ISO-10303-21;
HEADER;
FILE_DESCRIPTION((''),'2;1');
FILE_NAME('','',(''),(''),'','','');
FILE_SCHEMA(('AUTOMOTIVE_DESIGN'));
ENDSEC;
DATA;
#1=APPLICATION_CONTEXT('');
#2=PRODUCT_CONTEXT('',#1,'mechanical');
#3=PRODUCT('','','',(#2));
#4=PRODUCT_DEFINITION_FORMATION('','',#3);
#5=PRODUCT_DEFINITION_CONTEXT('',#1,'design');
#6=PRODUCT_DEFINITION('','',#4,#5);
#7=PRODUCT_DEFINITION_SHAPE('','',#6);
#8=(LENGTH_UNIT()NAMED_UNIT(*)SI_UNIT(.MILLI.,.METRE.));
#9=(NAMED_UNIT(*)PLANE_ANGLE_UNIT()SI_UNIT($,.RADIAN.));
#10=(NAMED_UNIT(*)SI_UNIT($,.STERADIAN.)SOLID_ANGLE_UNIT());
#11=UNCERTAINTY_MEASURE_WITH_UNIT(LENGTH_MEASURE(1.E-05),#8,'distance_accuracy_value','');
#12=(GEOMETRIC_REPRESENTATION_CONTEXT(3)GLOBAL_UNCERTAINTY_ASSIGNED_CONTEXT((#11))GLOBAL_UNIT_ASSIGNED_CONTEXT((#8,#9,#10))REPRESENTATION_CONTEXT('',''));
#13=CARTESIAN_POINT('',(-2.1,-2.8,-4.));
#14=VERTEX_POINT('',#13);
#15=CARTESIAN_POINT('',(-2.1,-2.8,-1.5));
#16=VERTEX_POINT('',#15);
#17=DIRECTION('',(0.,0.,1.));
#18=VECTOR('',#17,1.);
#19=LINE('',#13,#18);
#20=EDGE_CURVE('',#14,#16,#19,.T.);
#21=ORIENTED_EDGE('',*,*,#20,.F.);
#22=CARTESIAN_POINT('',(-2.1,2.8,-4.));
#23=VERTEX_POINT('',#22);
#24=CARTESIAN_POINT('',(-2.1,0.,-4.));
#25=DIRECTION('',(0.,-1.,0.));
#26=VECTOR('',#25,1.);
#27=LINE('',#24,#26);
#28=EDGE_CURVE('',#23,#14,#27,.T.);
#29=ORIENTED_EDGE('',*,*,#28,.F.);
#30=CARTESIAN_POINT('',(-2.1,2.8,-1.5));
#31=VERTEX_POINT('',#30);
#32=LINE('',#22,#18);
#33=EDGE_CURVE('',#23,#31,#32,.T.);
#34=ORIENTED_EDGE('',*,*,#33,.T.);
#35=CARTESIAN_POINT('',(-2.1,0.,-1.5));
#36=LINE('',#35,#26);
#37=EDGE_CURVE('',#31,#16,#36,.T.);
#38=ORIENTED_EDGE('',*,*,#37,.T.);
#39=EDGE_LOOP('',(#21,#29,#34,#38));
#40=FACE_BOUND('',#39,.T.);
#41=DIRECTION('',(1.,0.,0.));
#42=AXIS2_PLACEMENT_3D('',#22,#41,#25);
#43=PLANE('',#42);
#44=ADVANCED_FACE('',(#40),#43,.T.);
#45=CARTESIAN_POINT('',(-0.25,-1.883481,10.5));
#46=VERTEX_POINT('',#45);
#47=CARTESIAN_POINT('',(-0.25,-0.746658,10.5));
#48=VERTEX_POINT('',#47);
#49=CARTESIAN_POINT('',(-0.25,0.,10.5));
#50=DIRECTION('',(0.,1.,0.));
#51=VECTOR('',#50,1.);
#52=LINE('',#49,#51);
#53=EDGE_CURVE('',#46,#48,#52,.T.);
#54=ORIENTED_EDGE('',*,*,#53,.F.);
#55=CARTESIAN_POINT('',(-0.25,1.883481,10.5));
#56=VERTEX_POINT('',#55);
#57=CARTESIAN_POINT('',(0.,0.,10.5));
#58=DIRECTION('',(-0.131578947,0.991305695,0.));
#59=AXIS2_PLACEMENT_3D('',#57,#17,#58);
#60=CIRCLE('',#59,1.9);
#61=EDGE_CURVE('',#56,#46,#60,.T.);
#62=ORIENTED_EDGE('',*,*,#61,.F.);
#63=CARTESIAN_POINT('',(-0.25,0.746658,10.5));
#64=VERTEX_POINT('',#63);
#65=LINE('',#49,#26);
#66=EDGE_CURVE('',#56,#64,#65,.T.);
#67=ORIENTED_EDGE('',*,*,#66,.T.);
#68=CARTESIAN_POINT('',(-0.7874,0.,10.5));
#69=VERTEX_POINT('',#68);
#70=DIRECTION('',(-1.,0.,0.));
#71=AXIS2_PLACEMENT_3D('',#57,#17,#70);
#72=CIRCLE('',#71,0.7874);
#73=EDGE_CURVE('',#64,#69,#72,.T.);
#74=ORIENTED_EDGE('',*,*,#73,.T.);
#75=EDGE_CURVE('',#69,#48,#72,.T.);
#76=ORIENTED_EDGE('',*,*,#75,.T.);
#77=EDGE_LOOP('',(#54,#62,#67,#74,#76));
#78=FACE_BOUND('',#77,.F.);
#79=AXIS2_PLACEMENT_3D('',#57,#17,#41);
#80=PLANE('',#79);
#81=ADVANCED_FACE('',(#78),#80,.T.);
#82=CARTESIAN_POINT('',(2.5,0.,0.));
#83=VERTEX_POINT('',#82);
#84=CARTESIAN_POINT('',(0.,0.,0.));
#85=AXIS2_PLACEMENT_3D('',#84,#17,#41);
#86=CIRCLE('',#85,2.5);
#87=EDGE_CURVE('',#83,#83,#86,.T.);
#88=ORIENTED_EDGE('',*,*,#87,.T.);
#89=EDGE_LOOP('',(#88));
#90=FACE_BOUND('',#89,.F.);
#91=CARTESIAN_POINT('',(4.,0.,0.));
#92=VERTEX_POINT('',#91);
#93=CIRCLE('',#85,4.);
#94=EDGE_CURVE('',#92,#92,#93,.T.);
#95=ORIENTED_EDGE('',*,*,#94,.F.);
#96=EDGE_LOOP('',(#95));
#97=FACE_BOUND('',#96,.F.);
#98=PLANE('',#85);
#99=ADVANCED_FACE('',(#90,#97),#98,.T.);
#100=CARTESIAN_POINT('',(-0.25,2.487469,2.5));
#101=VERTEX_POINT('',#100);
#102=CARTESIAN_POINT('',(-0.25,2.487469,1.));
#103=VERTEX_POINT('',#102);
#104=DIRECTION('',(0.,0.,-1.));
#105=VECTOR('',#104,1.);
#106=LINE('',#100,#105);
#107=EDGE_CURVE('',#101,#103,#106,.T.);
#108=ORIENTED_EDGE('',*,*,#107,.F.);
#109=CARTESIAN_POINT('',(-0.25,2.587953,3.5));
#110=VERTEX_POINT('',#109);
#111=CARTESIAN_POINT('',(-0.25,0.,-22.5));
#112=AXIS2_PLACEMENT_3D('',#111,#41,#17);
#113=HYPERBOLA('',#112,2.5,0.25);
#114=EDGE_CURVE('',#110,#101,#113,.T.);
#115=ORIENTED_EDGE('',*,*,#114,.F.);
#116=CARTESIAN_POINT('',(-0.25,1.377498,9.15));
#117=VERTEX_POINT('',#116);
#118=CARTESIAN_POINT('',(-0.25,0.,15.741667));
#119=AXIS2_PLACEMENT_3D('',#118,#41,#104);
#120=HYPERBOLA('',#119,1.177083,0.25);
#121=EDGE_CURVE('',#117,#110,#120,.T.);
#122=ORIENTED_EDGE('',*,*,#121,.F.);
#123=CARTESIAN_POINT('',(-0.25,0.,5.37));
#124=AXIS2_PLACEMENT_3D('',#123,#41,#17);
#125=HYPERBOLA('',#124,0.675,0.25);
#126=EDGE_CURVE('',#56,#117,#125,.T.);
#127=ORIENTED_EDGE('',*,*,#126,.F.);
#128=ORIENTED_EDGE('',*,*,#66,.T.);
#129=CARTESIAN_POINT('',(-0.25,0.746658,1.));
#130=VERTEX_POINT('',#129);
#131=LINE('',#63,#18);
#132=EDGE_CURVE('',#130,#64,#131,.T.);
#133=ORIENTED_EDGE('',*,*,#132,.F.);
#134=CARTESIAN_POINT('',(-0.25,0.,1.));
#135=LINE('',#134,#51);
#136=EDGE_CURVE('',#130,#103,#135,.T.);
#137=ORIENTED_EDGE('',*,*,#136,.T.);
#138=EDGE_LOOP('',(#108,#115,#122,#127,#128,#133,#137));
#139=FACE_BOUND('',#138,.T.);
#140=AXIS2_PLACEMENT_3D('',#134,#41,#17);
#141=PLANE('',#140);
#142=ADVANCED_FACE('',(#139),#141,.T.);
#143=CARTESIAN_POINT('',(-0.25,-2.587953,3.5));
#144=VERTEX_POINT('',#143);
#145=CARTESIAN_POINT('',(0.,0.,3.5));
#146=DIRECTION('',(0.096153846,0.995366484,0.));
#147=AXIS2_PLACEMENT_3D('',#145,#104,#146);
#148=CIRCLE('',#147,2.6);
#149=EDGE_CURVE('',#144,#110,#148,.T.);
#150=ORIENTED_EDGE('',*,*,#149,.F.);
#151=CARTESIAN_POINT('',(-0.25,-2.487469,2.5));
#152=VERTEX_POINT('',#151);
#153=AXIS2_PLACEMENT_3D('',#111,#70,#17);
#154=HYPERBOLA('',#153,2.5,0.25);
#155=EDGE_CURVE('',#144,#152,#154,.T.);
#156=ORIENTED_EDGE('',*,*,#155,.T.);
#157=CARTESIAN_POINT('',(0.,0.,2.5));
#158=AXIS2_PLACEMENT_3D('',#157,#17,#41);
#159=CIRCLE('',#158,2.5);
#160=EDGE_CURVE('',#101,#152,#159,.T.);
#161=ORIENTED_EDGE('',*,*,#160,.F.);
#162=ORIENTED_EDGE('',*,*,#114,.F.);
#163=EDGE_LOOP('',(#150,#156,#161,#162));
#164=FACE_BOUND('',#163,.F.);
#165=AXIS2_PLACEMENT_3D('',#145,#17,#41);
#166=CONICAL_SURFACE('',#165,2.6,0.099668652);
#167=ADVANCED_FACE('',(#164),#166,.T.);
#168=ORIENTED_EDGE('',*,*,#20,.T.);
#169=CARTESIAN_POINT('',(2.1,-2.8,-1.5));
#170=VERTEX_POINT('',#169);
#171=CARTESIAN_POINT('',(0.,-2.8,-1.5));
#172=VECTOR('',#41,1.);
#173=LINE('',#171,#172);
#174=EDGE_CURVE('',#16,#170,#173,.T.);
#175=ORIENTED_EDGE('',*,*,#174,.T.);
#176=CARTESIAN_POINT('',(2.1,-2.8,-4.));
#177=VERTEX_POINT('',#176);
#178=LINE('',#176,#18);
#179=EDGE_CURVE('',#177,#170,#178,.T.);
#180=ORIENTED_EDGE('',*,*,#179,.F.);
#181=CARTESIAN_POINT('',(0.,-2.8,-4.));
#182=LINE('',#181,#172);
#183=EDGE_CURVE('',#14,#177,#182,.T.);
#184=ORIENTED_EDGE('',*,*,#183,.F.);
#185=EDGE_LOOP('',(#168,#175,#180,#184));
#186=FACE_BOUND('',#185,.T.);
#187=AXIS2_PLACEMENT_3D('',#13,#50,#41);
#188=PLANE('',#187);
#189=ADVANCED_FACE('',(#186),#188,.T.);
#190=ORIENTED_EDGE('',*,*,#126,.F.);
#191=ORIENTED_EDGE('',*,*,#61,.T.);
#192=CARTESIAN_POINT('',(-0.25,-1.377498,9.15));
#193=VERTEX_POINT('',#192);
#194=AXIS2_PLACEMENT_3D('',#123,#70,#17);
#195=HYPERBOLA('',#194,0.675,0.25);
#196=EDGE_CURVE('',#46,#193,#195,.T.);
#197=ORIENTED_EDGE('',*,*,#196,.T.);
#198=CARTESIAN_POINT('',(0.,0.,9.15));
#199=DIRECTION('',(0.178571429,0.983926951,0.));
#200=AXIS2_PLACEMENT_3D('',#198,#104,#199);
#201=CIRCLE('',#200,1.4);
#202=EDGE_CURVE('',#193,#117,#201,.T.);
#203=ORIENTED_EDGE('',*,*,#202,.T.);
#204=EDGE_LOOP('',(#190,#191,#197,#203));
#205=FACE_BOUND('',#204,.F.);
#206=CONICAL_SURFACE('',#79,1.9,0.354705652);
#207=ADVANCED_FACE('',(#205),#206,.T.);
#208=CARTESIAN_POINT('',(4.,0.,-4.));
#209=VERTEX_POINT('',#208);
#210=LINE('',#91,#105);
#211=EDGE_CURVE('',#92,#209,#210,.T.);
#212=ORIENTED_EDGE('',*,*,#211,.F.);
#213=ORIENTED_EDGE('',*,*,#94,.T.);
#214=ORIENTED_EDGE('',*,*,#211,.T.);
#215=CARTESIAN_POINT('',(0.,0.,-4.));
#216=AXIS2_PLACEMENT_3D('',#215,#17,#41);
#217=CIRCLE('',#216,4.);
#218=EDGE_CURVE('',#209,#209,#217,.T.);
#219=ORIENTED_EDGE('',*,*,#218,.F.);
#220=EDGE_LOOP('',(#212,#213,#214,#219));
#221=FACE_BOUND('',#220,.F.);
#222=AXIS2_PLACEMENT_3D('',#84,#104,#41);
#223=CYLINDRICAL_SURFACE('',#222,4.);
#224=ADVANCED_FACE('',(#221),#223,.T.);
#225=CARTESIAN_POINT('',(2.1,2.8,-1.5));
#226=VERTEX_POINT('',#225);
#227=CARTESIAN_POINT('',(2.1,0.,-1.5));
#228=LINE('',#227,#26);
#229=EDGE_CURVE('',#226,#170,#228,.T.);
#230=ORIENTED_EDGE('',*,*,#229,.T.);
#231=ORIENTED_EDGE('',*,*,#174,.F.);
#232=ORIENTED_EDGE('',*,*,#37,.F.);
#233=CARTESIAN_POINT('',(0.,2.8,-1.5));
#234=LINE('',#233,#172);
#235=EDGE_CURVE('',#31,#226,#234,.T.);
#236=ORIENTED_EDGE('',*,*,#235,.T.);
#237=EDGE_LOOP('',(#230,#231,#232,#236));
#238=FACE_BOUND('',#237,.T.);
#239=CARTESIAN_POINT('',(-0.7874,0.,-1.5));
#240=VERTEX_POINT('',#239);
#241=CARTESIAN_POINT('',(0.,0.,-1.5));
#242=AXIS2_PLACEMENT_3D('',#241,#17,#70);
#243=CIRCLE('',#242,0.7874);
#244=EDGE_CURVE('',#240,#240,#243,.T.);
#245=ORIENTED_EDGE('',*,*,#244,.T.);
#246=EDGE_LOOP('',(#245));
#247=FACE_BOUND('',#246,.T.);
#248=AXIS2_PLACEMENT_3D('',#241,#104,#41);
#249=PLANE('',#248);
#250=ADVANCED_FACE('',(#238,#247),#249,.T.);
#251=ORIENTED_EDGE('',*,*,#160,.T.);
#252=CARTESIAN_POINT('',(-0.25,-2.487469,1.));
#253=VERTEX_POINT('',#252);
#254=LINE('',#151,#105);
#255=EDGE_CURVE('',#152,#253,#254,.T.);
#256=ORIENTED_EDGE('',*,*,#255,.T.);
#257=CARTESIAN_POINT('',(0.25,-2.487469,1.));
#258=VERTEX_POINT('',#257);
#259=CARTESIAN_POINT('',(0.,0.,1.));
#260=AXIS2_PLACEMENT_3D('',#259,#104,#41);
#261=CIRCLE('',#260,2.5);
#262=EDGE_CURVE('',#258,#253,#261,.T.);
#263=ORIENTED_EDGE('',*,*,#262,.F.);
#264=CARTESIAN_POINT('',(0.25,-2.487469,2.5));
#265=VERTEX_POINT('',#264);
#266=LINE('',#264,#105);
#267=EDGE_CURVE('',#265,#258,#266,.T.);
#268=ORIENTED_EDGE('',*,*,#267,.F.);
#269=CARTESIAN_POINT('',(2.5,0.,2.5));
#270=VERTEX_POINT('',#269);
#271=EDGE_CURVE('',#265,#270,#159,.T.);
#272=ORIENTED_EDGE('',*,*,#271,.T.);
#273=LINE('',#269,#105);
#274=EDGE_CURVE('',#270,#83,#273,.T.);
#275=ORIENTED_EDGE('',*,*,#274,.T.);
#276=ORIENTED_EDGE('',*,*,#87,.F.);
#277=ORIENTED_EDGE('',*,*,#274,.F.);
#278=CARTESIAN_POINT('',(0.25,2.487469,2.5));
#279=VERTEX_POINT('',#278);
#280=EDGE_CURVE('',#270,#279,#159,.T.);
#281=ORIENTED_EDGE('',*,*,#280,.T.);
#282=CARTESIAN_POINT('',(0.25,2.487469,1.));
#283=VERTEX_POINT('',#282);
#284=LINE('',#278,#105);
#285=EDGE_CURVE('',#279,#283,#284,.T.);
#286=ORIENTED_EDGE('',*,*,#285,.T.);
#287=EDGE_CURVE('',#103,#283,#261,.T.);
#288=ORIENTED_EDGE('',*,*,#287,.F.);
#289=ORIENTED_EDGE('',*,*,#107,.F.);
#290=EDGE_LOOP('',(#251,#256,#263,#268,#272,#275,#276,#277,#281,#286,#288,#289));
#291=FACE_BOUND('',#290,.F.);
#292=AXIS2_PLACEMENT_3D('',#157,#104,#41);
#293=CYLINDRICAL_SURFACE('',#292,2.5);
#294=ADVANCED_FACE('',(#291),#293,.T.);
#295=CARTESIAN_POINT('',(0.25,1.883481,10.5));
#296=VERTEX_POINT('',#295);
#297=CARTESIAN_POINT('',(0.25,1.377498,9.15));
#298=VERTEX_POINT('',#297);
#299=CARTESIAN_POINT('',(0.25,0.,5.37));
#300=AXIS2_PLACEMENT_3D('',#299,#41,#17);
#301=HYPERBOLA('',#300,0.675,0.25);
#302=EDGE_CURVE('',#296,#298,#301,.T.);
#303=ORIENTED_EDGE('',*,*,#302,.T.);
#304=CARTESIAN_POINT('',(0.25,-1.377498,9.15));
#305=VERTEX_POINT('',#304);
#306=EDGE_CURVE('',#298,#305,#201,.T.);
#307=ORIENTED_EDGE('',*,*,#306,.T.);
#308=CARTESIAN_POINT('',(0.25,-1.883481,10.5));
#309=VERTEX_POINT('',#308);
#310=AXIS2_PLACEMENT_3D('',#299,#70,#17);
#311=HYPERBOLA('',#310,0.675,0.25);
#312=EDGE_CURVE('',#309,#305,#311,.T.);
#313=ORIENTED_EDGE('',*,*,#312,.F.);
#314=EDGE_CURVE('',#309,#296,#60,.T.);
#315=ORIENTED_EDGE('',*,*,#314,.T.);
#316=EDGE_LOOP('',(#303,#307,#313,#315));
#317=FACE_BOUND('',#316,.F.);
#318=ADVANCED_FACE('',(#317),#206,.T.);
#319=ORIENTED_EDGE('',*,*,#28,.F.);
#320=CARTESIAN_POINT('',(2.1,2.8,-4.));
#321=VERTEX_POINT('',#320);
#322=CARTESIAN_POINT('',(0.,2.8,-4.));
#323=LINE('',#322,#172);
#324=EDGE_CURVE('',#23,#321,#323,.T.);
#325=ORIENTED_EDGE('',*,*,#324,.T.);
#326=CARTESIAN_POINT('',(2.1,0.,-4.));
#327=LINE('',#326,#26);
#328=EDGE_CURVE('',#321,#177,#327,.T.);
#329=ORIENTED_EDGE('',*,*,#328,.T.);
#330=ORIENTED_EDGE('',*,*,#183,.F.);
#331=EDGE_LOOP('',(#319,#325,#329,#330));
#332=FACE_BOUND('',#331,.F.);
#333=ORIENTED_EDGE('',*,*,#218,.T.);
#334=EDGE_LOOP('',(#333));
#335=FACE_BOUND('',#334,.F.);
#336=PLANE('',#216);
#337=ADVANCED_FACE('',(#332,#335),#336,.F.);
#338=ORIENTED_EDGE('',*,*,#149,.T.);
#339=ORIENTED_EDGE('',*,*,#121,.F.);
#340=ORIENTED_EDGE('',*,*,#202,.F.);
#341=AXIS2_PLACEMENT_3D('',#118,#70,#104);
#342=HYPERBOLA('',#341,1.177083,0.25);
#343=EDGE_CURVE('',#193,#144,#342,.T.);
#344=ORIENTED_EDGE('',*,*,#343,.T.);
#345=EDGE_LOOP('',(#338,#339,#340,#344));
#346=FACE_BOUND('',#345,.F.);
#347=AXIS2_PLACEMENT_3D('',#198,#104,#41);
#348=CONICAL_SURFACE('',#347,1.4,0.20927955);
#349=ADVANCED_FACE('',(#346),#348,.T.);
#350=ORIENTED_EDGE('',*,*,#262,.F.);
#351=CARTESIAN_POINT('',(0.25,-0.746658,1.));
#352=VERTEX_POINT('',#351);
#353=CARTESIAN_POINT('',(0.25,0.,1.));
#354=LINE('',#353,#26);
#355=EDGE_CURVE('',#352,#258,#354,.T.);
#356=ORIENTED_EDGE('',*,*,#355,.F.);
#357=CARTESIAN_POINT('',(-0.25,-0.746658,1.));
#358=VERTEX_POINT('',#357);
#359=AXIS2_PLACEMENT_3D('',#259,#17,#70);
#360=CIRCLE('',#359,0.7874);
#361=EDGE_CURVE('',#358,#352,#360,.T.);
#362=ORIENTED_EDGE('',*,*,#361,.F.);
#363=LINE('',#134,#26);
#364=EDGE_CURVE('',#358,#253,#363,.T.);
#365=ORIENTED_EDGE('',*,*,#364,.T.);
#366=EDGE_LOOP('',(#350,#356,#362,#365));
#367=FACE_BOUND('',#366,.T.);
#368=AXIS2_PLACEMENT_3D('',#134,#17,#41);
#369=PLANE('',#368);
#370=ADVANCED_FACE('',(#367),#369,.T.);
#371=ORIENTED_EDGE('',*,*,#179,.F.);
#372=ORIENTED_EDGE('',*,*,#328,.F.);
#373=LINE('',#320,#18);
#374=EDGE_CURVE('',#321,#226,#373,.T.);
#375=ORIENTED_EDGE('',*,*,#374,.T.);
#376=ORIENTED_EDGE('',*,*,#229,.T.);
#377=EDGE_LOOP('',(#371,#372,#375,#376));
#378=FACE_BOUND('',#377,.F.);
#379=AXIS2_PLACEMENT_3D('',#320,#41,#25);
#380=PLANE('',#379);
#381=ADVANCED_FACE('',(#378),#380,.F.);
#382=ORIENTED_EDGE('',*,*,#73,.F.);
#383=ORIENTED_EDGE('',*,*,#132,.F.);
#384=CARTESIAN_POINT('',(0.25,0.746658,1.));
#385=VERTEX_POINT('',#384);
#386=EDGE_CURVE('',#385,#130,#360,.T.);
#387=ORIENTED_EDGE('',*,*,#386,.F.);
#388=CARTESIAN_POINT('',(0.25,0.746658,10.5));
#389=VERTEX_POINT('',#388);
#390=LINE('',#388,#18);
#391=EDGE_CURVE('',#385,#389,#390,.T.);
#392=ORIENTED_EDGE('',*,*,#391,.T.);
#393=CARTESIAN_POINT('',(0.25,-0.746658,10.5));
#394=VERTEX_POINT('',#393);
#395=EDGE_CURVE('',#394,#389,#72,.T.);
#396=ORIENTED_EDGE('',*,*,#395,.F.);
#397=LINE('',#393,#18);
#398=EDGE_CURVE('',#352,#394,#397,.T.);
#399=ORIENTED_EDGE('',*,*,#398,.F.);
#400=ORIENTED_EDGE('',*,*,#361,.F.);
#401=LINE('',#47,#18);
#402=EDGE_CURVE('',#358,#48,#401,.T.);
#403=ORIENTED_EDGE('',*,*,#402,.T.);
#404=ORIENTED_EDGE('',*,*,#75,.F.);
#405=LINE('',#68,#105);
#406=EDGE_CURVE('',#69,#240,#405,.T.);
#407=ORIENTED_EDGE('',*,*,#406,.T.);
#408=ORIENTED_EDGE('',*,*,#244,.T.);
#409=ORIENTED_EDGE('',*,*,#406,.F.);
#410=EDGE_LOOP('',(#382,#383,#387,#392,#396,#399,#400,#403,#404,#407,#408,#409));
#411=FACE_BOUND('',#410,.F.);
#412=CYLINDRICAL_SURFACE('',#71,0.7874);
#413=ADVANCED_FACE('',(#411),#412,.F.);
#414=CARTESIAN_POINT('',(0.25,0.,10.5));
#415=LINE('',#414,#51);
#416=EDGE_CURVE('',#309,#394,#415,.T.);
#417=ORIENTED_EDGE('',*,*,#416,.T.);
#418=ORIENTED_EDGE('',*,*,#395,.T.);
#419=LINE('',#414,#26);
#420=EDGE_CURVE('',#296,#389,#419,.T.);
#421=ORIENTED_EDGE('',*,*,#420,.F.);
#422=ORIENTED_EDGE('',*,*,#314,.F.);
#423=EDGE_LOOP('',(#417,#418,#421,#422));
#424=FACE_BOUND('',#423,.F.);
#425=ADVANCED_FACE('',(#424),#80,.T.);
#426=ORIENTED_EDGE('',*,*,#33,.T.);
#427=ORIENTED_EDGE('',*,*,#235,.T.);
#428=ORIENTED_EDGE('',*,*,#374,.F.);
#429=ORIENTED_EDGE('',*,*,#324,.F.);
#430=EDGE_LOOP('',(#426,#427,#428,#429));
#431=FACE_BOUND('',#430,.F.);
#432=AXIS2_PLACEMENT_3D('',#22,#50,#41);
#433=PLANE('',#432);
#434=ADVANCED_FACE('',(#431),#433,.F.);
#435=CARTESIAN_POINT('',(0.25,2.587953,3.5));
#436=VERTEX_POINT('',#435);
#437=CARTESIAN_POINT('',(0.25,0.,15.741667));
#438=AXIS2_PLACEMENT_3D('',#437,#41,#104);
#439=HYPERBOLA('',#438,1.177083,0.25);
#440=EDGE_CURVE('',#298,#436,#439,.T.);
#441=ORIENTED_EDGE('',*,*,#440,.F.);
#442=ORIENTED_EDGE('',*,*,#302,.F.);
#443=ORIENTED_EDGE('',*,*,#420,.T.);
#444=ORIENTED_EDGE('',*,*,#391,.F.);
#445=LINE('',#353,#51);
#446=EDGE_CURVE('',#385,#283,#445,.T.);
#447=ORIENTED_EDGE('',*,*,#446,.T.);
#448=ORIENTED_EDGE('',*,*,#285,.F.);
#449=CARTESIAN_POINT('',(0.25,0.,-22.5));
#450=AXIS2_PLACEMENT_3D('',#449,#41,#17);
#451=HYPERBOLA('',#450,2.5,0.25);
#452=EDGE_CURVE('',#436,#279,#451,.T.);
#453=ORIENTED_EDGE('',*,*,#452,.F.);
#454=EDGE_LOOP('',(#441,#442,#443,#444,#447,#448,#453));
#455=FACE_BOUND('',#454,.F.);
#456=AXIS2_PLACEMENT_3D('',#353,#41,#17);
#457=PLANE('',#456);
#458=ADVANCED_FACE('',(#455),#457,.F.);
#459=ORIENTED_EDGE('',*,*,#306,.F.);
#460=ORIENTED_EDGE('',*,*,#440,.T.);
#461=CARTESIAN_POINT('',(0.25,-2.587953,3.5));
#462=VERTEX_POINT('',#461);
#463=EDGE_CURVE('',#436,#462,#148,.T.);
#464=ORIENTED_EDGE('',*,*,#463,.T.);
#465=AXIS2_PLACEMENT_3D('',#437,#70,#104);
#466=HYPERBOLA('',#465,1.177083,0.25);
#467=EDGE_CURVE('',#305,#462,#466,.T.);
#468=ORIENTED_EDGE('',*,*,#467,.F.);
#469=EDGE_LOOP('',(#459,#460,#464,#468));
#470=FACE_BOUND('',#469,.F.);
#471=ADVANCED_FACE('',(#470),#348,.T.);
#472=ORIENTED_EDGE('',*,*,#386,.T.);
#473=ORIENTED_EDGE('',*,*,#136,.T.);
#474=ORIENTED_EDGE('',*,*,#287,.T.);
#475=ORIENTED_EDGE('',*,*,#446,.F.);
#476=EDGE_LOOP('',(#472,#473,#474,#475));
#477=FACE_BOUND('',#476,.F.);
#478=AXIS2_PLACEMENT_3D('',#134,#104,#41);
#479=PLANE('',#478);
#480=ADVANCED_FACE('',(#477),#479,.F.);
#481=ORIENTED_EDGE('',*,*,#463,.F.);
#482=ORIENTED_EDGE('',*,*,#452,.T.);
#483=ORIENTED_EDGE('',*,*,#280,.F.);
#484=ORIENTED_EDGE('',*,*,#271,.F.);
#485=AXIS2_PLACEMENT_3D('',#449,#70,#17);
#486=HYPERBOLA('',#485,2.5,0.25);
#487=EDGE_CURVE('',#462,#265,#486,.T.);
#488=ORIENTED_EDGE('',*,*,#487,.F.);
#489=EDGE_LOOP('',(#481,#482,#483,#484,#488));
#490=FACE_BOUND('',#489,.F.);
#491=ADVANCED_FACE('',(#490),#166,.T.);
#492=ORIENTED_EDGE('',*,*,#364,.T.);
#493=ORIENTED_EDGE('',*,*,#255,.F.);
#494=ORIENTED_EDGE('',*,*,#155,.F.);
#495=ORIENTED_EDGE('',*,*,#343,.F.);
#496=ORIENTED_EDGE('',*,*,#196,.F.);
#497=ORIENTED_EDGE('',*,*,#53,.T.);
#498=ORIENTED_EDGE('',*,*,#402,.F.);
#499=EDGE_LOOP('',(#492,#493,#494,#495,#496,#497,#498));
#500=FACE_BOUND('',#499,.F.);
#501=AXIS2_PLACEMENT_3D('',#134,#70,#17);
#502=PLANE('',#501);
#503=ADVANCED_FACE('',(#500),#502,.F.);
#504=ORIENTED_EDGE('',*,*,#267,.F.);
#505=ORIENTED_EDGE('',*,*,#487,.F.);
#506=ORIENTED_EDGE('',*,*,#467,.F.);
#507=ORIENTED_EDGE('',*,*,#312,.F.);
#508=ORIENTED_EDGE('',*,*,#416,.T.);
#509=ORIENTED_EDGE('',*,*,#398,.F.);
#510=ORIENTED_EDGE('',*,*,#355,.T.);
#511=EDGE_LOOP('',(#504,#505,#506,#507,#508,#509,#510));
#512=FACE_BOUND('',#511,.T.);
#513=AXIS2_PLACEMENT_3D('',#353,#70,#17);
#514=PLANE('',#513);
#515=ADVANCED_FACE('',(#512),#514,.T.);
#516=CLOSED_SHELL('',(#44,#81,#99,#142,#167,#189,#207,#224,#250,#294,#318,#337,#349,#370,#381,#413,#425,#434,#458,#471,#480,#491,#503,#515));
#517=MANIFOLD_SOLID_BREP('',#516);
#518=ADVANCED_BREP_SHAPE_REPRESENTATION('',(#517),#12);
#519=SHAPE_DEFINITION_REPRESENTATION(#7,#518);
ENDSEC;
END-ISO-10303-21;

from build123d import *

# Parameters (mm, degrees)
SKETCH001_W          = 4.2
SKETCH001_H          = 5.6
POCKET_DEPTH         = 2.5
SKETCH002_R          = 0.7874
POCKET001_DEPTH      = 14.501
SKETCH004_W          = 0.5
SKETCH004_H          = 11.942059
SKETCH004_H_2        = 6.122161
POCKET003_DEPTH      = 5
POCKET003_DEPTH_BACK = -5


with BuildPart() as part:
    # Sketch → Revolution (revolve)
    with BuildSketch(Plane.XZ):
        Polygon((2.5, 0), (4, 0), (4, -4), (0, -4), (0, 0), (0, 10.5), (1.9, 10.5), (1.4, 9.15), (2.6, 3.5), (2.5, 2.5), align=None)
    revolve(axis=Axis((0, 0, 0), (0, 0, 1)))

    # Sketch001 (on Face5 of Revolution) → Pocket (cut)
    with BuildSketch(Plane(origin=(0, 0, -4), x_dir=(1, 0, 0), z_dir=(0, 0, -1))):
        Rectangle(SKETCH001_W, SKETCH001_H)
    extrude(amount=-POCKET_DEPTH, mode=Mode.SUBTRACT)

    # Sketch002 (on Face6 of Pocket) → Pocket001 (cut, through all)
    with BuildSketch(Plane(origin=(0, 0, 10.5), x_dir=(-1, 0, 0), z_dir=(0, 0, 1))):
        Circle(SKETCH002_R)
    extrude(amount=-POCKET001_DEPTH, mode=Mode.SUBTRACT)

    # Sketch004 → Pocket003 (cut, two sides)
    with BuildSketch(Plane.XZ) as pocket003_sk:
        with Locations((0, 6.971029)):
            Rectangle(SKETCH004_W, SKETCH004_H)
        with Locations((0, -13.475635)):
            Rectangle(SKETCH004_W, SKETCH004_H_2)
    extrude(amount=-POCKET003_DEPTH, mode=Mode.SUBTRACT)
    extrude(pocket003_sk.sketch, amount=-POCKET003_DEPTH_BACK, mode=Mode.SUBTRACT)


solid = part.part
